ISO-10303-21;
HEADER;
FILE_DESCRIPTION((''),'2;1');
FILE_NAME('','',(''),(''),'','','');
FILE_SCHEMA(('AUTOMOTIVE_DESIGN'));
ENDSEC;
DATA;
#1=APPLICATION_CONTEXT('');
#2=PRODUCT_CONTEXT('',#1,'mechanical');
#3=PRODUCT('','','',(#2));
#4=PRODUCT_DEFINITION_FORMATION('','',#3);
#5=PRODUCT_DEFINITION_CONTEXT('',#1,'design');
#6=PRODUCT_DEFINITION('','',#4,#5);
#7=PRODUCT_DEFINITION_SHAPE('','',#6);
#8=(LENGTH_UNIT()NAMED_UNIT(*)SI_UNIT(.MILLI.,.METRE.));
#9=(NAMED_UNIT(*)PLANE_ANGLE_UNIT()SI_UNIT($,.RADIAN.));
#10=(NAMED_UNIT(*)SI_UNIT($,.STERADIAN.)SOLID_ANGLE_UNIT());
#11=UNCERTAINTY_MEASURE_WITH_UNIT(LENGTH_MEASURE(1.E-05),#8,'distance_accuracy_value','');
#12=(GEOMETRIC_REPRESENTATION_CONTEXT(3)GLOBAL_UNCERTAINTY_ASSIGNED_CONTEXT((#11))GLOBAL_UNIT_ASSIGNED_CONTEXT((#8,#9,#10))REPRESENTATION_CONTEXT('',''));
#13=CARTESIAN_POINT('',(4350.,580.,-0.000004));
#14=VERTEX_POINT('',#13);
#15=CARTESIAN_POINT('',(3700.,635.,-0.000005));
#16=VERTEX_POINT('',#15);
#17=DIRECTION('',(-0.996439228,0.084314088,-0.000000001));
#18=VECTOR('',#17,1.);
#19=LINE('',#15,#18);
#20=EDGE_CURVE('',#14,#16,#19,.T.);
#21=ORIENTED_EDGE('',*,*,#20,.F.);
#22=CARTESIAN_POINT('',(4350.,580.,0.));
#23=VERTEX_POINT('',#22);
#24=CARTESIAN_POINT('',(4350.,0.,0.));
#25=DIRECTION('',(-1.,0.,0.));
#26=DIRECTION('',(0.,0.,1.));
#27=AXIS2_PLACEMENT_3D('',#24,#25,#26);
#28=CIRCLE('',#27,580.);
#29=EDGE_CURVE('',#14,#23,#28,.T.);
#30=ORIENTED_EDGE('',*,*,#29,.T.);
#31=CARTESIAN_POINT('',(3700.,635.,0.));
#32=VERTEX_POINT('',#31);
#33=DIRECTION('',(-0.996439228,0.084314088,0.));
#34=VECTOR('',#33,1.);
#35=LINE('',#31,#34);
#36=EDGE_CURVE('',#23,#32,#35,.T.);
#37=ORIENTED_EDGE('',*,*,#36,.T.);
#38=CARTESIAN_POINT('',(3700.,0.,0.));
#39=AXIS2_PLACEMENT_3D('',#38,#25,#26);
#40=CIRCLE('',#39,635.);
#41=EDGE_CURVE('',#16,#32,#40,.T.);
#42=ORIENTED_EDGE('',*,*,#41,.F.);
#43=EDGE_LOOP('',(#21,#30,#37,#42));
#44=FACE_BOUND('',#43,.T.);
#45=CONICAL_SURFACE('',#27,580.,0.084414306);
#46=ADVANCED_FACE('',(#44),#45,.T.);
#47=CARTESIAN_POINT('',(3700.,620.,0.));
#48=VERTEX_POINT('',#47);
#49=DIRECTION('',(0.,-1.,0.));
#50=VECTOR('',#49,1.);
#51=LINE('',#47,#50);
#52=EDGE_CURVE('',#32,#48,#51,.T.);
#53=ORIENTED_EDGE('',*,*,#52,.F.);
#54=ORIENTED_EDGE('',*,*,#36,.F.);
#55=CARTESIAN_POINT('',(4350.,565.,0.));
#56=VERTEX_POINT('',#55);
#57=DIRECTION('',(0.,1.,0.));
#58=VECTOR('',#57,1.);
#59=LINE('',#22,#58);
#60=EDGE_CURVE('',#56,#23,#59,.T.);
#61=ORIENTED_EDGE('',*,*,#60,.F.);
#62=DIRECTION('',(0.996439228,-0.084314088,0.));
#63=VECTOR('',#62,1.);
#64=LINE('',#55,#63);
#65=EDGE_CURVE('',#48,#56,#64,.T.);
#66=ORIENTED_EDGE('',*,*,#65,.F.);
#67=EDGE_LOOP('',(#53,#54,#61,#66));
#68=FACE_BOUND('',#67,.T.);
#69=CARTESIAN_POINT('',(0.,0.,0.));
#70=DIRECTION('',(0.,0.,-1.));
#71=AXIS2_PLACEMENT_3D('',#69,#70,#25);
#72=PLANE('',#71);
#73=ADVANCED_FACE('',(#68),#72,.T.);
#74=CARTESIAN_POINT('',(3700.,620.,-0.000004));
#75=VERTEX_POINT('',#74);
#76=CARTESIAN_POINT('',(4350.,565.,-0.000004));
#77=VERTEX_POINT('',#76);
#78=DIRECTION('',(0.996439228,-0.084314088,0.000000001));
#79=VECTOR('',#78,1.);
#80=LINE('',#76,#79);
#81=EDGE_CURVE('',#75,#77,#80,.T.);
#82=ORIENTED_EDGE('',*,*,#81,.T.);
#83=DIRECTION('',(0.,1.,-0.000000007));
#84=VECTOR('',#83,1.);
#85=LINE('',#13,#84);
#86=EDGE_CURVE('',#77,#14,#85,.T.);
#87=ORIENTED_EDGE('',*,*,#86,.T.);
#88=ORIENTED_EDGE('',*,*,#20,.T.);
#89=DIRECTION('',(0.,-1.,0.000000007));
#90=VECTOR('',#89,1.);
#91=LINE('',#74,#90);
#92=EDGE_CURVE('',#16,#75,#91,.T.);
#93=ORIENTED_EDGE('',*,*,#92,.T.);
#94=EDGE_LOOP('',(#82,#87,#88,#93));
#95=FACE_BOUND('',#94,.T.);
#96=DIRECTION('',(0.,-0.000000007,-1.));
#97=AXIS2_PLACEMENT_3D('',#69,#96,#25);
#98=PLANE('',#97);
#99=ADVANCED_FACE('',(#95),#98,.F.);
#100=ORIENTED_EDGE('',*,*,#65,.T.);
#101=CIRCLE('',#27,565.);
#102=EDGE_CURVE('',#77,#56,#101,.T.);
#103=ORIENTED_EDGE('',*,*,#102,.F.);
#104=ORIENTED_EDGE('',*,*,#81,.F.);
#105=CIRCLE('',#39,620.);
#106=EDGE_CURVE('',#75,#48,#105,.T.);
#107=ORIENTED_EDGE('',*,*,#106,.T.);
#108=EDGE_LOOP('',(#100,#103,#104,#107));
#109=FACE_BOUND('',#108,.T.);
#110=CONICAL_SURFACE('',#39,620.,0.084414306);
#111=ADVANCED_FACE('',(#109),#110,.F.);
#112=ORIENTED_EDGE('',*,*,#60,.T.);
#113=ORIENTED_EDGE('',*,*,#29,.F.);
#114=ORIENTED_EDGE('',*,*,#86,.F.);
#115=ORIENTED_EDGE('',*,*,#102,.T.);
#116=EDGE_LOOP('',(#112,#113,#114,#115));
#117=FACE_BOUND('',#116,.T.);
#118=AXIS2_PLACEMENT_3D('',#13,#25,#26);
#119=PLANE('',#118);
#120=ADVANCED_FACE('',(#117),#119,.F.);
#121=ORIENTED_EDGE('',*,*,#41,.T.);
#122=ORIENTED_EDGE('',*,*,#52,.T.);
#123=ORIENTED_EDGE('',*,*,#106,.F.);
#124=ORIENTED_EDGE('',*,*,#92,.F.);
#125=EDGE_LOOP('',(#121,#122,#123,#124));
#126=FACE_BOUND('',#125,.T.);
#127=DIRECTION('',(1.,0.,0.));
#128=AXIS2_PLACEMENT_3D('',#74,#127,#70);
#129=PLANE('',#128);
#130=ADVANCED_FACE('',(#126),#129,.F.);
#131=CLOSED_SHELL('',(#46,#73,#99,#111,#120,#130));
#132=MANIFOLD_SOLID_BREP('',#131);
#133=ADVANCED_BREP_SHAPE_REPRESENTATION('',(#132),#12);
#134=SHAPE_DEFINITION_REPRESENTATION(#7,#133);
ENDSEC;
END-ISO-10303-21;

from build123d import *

# Parameters (mm, degrees)
REVOLVE1_ANGLE = 359.999999589


with BuildPart() as part:
    # Sketch1 → Revolve1 (revolve)
    with BuildSketch(Plane.XY):
        Polygon((3700, 620), (3700, 635), (4350, 580), (4350, 565), align=None)
    revolve(axis=Axis((0, 0, 0), (1, 0, 0)), revolution_arc=REVOLVE1_ANGLE)


solid = part.part
